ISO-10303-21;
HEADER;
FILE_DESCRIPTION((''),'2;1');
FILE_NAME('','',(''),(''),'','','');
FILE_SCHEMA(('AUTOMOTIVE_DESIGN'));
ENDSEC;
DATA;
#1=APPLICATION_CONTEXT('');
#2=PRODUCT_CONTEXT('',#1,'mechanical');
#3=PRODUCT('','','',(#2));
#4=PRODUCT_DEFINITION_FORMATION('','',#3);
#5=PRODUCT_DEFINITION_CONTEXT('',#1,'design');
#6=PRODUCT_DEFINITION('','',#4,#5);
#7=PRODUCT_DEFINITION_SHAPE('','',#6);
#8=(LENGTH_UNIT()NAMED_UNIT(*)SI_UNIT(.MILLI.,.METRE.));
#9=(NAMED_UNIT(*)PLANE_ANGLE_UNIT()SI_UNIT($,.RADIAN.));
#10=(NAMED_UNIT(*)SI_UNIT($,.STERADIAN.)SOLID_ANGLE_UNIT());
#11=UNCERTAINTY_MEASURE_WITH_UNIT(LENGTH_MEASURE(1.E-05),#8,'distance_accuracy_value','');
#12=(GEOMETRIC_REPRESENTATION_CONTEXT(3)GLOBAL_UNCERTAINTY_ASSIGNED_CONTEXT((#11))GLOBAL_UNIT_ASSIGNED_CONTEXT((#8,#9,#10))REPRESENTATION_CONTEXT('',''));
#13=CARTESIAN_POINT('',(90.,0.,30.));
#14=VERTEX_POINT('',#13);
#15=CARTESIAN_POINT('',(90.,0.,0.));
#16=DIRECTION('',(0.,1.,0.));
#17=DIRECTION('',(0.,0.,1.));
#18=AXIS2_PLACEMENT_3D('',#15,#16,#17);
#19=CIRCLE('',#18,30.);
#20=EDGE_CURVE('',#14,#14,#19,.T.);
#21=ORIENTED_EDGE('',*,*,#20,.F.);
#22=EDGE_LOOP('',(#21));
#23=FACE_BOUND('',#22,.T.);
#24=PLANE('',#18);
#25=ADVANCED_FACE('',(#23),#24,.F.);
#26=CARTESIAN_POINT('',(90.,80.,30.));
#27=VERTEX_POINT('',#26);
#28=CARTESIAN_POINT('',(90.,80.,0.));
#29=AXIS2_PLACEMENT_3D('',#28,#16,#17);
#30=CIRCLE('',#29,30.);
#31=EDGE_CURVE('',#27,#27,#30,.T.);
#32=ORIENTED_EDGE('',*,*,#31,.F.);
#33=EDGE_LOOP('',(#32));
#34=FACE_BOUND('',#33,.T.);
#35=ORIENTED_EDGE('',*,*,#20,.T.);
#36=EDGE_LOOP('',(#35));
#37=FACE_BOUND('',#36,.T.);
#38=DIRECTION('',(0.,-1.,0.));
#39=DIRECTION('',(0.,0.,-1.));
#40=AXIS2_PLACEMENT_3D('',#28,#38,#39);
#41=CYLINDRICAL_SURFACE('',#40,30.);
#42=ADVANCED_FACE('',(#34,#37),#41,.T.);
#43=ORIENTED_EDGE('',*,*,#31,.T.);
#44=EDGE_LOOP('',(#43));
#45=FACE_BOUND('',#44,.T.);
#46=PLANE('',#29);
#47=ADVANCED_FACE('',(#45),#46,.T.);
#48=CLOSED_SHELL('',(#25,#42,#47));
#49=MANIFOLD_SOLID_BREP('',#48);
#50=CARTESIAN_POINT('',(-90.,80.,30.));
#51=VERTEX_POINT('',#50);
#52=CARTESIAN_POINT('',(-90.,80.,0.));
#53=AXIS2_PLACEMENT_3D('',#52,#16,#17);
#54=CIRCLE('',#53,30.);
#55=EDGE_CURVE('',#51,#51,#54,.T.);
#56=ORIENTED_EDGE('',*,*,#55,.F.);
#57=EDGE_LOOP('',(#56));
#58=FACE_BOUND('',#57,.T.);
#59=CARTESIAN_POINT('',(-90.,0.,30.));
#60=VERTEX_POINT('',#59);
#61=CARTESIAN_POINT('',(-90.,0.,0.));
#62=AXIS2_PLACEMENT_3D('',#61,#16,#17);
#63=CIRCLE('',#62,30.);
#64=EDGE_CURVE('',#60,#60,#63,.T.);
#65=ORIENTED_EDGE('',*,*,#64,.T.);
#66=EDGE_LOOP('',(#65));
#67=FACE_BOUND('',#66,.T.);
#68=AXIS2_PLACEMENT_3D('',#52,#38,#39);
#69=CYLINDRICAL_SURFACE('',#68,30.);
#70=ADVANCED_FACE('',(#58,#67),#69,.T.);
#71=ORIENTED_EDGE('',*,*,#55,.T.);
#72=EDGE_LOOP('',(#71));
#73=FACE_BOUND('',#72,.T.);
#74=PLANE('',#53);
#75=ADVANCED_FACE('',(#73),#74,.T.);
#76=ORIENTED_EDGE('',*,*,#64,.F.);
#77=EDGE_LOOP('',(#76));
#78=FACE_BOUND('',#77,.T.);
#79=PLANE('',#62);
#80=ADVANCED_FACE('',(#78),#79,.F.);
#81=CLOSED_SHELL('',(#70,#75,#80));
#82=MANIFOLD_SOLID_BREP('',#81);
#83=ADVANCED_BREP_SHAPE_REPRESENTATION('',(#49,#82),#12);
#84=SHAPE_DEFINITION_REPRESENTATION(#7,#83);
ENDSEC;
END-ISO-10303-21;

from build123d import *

# Parameters (mm, degrees)
SKETCH_1_R        = 30
EXTRUDE_1_DEPTH   = 80
EXTRUDE_1_2_DEPTH = 80


with BuildPart() as part:
    # 草图1 → 凸台-拉伸1 (new body)
    with BuildSketch(Plane(origin=(0, 0, 0), x_dir=(1, 0, 0), z_dir=(0, 1, 0))):
        with Locations((-90, 0)):
            Circle(SKETCH_1_R)
    extrude(amount=EXTRUDE_1_DEPTH)


with BuildPart() as body_2:
    # 草图1 → Extrude 1 2 (new body)
    with BuildSketch(Plane(origin=(0, 0, 0), x_dir=(1, 0, 0), z_dir=(0, 1, 0))):
        with Locations((90, 0)):
            Circle(SKETCH_1_R)
    extrude(amount=EXTRUDE_1_2_DEPTH)


solid = Compound([part.part, body_2.part])
